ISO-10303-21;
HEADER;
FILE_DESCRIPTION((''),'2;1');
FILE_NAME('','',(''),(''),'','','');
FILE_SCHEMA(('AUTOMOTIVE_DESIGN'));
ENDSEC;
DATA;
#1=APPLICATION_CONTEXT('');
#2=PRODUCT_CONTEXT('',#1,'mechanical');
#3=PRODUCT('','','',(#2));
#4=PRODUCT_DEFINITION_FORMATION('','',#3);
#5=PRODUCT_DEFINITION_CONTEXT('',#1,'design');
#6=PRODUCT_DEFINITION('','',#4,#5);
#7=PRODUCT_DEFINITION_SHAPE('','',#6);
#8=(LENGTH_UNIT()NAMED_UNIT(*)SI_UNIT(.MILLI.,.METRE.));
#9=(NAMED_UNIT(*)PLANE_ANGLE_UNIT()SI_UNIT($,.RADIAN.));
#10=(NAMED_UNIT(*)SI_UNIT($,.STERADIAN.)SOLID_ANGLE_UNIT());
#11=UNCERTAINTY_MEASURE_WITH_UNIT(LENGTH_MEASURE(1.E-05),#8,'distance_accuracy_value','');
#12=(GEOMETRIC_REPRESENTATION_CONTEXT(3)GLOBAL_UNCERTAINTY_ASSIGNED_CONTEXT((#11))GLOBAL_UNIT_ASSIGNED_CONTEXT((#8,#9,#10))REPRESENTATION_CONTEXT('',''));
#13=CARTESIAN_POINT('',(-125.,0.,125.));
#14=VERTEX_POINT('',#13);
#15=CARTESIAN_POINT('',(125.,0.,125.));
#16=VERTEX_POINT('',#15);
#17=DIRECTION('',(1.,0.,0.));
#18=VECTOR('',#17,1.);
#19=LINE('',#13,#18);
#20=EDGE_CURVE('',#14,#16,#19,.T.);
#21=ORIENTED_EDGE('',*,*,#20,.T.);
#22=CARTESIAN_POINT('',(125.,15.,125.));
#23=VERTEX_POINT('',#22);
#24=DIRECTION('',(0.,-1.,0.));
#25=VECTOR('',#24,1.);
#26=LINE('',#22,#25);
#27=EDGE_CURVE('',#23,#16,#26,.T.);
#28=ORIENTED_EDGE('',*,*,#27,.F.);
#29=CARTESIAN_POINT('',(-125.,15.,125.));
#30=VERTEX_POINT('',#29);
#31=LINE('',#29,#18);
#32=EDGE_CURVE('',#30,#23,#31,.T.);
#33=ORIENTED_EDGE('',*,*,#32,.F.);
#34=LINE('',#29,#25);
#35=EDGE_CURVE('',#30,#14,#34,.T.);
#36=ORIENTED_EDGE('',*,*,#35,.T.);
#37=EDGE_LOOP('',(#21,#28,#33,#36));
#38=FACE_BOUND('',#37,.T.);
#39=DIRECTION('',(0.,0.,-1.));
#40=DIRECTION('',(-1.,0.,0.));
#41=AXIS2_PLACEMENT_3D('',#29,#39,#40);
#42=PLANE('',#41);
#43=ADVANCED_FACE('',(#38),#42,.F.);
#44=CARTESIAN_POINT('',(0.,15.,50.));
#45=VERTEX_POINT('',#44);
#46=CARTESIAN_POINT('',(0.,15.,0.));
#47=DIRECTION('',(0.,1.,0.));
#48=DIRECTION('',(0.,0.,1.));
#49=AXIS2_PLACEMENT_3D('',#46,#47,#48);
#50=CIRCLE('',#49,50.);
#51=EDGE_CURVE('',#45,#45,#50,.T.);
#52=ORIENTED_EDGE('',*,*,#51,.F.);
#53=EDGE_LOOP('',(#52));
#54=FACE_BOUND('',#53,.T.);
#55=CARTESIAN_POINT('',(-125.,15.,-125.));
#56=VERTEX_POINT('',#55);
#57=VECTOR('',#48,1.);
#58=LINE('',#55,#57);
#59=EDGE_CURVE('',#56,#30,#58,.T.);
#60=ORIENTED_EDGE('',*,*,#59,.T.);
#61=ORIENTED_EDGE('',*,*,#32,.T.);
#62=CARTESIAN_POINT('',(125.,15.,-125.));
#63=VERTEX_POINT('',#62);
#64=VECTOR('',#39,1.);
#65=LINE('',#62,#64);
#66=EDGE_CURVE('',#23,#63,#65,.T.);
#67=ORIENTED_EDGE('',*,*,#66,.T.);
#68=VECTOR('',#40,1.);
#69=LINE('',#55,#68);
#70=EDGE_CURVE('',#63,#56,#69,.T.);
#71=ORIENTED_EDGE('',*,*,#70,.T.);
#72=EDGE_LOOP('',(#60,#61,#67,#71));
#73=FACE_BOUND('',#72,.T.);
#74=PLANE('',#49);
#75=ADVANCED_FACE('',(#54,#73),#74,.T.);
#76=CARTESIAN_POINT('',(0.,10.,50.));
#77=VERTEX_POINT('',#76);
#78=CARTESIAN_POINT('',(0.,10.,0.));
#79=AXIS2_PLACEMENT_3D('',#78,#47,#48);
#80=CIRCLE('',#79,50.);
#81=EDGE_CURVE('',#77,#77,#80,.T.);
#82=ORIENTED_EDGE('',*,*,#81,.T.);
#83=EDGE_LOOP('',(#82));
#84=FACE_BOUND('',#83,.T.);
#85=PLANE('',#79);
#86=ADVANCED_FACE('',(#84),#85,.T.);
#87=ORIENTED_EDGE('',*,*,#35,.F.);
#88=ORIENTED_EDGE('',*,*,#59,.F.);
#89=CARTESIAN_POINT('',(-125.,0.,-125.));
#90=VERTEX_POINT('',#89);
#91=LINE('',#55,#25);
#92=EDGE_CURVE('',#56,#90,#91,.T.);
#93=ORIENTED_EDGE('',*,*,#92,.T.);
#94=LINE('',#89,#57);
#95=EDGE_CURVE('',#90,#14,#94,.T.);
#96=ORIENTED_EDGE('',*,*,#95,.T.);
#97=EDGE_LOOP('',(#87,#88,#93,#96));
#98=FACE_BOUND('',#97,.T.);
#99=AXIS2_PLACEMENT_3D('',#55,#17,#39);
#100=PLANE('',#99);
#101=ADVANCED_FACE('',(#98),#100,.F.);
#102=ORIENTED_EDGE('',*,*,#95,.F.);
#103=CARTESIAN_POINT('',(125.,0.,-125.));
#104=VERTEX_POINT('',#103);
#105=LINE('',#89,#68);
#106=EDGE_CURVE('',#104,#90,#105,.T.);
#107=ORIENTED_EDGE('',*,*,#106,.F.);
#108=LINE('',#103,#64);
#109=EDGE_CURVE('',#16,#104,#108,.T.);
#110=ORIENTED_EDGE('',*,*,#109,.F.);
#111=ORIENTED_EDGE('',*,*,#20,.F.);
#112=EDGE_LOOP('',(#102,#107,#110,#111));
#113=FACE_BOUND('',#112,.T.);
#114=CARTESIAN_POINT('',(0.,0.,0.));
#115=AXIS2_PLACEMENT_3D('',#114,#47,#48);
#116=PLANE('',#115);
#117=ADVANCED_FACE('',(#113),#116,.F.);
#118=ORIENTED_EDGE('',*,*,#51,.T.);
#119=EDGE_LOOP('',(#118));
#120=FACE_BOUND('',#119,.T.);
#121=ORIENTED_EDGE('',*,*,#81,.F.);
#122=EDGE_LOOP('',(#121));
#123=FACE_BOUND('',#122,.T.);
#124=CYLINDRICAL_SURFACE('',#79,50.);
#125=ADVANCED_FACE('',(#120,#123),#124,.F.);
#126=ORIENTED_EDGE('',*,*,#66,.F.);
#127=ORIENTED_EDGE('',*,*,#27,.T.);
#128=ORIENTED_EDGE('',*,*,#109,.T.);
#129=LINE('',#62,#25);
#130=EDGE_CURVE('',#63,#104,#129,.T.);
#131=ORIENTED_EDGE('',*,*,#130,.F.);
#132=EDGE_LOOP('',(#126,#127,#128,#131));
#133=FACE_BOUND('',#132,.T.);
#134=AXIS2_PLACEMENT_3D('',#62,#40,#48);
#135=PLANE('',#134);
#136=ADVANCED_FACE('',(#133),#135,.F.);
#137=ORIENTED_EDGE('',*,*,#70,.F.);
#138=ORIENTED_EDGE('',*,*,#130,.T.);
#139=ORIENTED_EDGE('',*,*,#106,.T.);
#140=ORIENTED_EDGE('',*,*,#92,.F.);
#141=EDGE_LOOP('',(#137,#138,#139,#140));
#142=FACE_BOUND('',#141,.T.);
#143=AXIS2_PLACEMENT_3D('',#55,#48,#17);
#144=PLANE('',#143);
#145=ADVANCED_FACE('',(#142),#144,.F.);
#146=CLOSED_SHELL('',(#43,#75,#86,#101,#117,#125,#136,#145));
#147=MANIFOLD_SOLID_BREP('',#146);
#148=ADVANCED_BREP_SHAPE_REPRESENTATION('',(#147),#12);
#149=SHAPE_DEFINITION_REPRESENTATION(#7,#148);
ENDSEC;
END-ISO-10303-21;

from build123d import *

# Parameters (mm, degrees)
SKETCH1_W           = 250
SKETCH1_H           = 250
BOSS_EXTRUDE1_DEPTH = 15
SKETCH2_R           = 50
CUT_EXTRUDE1_DEPTH  = 5


with BuildPart() as part:
    # Sketch1 → Boss-Extrude1 (new body)
    with BuildSketch(Plane(origin=(0, 0, 0), x_dir=(1, 0, 0), z_dir=(0, 1, 0))):
        Rectangle(SKETCH1_W, SKETCH1_H)
    extrude(amount=BOSS_EXTRUDE1_DEPTH)

    # Sketch2 → Cut-Extrude1 (cut)
    with BuildSketch(Plane(origin=(0, 15, 0), x_dir=(1, 0, 0), z_dir=(0, 1, 0))):
        with Locations(Location((0, 0, 0), (0, 0, 270))):
            Circle(SKETCH2_R)
    extrude(amount=-CUT_EXTRUDE1_DEPTH, mode=Mode.SUBTRACT)


solid = part.part
